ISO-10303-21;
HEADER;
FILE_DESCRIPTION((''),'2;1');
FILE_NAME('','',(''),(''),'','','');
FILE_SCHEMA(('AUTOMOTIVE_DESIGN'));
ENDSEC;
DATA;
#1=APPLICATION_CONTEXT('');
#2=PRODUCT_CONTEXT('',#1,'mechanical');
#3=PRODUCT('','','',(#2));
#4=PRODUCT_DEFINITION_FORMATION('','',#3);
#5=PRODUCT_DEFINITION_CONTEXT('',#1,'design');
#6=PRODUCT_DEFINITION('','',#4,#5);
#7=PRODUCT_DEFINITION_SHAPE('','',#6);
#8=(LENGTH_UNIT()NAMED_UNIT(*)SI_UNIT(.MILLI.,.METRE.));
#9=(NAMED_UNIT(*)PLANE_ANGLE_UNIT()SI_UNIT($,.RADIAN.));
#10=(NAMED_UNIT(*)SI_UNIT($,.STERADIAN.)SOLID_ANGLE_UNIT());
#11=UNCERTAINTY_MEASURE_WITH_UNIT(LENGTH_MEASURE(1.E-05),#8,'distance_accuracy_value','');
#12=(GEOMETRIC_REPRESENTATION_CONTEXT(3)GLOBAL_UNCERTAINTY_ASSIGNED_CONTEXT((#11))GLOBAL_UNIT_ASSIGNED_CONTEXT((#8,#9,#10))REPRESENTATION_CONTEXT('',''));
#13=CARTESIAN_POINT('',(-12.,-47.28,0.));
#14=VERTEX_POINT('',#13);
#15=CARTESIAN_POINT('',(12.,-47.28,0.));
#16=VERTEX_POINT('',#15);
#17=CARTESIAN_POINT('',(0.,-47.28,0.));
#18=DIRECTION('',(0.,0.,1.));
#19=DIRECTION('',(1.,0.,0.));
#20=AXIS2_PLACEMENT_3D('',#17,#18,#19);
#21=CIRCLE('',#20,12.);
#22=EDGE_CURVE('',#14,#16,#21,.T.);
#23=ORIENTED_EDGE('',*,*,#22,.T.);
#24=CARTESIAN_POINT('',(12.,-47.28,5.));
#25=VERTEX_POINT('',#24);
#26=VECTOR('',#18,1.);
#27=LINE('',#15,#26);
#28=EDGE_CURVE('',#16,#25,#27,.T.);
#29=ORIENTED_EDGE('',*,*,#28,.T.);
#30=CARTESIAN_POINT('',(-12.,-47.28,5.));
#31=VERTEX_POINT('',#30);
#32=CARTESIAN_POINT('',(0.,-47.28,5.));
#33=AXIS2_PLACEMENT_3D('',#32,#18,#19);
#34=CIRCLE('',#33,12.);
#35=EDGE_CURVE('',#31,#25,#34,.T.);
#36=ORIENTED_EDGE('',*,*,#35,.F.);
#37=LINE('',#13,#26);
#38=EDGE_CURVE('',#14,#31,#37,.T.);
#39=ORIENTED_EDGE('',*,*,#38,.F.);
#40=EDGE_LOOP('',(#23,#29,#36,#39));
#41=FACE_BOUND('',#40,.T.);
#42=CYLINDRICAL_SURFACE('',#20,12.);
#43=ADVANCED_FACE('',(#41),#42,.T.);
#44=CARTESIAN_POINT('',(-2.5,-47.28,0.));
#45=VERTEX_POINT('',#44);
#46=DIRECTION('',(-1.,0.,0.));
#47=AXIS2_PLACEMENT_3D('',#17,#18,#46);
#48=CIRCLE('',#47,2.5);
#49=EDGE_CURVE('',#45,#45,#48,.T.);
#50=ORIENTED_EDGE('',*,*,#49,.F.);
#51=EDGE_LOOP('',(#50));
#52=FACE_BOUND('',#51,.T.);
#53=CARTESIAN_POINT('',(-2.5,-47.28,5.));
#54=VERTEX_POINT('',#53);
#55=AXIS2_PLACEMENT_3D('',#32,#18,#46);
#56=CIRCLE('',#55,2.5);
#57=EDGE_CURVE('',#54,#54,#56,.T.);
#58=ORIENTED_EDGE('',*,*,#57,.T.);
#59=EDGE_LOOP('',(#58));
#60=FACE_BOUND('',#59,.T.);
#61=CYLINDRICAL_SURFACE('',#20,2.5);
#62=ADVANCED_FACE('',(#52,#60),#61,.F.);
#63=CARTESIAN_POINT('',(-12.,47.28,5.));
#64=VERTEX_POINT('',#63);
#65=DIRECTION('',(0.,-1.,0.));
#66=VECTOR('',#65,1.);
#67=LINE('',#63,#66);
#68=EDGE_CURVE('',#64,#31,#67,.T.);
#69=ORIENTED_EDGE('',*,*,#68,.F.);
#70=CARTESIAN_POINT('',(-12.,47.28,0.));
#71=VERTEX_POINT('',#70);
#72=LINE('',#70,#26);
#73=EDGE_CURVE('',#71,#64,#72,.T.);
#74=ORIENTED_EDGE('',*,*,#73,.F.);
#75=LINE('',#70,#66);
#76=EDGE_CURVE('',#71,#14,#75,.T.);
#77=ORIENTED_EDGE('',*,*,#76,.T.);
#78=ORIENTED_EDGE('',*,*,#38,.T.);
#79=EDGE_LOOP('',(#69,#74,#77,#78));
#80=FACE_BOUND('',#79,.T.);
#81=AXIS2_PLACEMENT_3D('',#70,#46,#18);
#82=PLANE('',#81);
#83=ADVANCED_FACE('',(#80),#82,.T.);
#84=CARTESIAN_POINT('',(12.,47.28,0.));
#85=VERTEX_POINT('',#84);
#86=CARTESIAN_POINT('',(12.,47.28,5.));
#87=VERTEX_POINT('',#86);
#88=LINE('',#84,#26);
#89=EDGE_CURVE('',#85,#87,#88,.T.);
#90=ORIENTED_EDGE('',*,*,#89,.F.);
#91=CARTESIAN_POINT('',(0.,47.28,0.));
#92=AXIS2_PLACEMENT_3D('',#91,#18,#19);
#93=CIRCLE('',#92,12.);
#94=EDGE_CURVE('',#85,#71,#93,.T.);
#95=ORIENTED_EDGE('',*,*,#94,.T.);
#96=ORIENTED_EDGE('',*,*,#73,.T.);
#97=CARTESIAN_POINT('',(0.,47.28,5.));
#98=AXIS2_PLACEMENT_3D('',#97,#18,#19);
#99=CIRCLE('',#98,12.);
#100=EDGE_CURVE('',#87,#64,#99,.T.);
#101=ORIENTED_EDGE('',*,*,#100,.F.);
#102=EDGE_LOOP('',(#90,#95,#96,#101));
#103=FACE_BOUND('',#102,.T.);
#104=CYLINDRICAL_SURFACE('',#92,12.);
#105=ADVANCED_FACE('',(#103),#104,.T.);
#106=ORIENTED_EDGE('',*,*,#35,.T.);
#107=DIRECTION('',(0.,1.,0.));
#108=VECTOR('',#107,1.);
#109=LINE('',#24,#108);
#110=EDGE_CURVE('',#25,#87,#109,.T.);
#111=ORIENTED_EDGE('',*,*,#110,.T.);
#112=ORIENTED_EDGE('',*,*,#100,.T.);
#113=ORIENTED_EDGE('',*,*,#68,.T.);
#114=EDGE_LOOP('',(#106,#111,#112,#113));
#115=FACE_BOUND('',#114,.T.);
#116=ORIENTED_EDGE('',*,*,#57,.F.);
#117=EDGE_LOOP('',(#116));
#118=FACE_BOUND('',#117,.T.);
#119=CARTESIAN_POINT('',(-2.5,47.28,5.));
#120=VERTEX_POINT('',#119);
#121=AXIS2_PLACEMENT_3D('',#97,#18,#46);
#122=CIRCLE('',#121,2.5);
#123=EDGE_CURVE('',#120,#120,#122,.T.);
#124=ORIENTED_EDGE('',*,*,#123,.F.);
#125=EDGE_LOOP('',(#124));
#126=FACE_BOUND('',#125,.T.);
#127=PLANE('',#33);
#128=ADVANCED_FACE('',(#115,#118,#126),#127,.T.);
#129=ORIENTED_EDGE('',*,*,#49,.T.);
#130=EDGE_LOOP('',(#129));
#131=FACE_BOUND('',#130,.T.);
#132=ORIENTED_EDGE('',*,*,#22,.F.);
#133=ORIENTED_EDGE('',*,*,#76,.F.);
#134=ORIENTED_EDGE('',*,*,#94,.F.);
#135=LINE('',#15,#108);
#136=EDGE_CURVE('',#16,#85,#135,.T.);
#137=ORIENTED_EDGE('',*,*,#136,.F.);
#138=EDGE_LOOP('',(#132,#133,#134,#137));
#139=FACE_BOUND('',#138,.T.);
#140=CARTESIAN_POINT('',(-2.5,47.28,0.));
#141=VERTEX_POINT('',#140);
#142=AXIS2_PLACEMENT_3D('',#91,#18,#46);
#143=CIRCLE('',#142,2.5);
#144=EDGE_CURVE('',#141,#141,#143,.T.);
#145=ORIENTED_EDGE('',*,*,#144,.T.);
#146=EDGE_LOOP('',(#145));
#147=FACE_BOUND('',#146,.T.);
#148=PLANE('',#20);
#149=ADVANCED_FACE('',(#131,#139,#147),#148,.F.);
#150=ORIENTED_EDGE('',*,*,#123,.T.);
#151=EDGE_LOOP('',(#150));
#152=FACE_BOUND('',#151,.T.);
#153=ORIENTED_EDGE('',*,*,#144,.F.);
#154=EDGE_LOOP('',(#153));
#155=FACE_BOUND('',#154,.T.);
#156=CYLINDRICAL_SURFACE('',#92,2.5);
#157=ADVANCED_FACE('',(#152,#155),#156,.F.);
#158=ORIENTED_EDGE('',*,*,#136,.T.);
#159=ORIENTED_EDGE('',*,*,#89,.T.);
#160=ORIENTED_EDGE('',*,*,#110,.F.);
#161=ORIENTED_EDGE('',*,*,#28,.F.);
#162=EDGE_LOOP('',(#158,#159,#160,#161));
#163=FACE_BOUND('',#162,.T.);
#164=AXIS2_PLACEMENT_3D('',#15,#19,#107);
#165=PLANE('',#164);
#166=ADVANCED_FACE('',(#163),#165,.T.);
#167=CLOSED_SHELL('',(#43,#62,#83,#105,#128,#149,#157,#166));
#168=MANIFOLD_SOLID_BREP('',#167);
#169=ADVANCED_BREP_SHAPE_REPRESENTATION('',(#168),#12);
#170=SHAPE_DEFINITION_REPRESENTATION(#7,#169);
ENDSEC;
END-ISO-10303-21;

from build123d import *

# Parameters (mm, degrees)
SKETCH_1_R      = 2.5
EXTRUDE_1_DEPTH = 5


with BuildPart() as part:
    # 草图1 → 凸台-拉伸1 (new body)
    with BuildSketch(Plane.XY.offset(5)):
        with BuildLine():
            Line((12, -47.28), (12, 47.28))
            ThreePointArc((12, 47.28), (0, 59.28), (-12, 47.28))
            Line((-12, 47.28), (-12, -47.28))
            ThreePointArc((-12, -47.28), (0, -59.28), (12, -47.28))
        make_face()
        with Locations(Location((0, -47.28, 0), (0, 0, 180))):
            Circle(SKETCH_1_R, mode=Mode.SUBTRACT)
        with Locations(Location((0, 47.28, 0), (0, 0, 180))):
            Circle(SKETCH_1_R, mode=Mode.SUBTRACT)
    extrude(amount=-EXTRUDE_1_DEPTH)


solid = part.part
